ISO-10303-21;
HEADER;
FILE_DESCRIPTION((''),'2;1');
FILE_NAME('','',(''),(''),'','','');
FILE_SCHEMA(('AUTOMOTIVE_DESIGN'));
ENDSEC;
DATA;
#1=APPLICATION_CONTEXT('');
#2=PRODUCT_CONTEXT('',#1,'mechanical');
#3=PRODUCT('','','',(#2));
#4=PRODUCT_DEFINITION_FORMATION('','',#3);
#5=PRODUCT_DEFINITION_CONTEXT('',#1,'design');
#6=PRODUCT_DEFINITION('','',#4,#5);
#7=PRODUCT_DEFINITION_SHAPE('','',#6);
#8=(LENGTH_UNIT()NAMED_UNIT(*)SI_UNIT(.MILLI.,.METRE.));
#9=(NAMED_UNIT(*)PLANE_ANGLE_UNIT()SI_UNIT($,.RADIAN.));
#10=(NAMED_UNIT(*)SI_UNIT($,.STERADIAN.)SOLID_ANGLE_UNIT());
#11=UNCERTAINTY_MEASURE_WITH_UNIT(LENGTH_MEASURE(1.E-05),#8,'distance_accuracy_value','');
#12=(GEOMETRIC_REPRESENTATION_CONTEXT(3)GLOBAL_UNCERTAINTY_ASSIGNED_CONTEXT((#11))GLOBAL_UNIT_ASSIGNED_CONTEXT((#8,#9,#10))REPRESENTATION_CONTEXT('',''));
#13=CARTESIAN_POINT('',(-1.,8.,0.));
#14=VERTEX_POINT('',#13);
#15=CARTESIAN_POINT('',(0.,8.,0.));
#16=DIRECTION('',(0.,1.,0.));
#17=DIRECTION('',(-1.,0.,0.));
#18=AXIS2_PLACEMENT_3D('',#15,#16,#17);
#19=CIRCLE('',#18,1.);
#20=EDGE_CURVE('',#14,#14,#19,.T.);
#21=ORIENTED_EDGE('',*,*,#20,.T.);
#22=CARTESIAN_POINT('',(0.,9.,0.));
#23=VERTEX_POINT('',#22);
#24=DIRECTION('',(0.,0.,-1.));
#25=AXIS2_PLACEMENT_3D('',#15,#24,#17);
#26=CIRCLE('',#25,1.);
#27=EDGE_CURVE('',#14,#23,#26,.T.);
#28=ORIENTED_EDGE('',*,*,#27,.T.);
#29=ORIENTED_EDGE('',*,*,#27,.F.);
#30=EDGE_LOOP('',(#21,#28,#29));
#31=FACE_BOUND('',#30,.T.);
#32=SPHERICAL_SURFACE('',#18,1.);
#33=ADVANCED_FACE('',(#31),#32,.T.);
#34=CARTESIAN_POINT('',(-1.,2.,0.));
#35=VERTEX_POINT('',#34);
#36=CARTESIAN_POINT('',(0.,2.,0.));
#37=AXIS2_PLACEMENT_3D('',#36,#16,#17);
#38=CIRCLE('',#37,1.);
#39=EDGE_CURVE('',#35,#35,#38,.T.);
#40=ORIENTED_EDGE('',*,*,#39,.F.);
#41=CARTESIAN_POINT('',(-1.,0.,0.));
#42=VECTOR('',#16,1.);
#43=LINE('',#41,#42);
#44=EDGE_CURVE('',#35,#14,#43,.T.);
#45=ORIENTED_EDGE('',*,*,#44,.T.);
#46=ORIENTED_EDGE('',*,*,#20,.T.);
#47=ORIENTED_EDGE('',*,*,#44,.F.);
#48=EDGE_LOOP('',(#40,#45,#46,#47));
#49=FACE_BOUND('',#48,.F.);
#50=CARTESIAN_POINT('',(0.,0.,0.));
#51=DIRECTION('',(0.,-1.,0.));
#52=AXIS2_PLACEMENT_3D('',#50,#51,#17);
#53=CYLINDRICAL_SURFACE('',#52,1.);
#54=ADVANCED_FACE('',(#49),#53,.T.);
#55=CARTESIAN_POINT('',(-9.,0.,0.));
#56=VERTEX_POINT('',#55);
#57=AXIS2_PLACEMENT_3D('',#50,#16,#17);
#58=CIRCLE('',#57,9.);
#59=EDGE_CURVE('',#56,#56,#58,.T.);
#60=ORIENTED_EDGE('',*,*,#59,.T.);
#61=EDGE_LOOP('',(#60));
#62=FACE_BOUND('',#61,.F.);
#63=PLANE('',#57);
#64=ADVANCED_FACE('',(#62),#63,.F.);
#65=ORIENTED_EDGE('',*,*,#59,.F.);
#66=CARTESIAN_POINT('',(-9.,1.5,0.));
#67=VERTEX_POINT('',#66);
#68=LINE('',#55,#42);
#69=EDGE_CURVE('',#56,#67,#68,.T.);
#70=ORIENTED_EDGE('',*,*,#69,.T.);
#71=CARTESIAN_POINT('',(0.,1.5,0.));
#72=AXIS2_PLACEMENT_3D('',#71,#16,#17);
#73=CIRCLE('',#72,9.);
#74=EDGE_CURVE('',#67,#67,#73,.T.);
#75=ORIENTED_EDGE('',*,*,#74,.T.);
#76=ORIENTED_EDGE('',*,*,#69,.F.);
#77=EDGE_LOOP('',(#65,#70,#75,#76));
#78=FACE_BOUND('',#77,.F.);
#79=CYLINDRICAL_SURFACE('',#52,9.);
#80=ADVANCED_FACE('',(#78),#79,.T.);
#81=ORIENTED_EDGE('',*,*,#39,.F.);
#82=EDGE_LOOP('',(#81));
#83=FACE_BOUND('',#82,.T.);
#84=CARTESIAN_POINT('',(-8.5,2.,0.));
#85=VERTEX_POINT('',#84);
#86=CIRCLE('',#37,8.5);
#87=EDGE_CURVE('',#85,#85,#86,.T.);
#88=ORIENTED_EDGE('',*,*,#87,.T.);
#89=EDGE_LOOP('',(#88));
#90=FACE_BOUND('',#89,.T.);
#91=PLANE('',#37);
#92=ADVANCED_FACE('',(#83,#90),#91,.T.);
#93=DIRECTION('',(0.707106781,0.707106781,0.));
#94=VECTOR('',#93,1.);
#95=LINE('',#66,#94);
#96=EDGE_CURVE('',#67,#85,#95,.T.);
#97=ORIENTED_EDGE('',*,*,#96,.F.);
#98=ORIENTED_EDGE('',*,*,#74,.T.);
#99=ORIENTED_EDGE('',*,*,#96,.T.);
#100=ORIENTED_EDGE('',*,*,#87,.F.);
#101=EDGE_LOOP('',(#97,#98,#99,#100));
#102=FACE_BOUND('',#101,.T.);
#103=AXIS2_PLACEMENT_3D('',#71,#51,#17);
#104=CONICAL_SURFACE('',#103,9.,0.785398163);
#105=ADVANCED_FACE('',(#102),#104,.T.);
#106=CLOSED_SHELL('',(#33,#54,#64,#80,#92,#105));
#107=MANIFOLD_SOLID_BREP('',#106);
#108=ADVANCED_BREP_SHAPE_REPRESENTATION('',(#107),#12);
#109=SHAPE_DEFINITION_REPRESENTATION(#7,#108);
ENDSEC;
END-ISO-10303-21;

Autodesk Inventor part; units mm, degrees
ref_plane "YZ Plane" through (0, 0, 0) normal (1, 0, 0) x (0, 1, 0)
ref_plane "XZ Plane" through (0, 0, 0) normal (0, 1, 0) x (-1, 0, 0)
ref_plane "XY Plane" through (0, 0, 0) normal (0, 0, 1) x (1, 0, 0)
sketch "Boceto1" plane through (0, 0, 0) normal (0, 1, 0) x (-1, 0, 0)
  circle A0 centre (0, 0) radius 9
  circle A1 centre (0, 0) radius 1
  dimension "d0" = 18
extrude "Extrusión1" add sketch "Boceto1" along normal blind 2
extrude "Extrusión2" add sketch "Boceto1" along normal blind 9 contours A1
chamfer "Chaflán1" distance 0.5 angle 45 1 edges at (9, 2, 0)
fillet "Empalme1" radius 1 1 edges at (1, 9, 0)
properties part number "markers_base"
